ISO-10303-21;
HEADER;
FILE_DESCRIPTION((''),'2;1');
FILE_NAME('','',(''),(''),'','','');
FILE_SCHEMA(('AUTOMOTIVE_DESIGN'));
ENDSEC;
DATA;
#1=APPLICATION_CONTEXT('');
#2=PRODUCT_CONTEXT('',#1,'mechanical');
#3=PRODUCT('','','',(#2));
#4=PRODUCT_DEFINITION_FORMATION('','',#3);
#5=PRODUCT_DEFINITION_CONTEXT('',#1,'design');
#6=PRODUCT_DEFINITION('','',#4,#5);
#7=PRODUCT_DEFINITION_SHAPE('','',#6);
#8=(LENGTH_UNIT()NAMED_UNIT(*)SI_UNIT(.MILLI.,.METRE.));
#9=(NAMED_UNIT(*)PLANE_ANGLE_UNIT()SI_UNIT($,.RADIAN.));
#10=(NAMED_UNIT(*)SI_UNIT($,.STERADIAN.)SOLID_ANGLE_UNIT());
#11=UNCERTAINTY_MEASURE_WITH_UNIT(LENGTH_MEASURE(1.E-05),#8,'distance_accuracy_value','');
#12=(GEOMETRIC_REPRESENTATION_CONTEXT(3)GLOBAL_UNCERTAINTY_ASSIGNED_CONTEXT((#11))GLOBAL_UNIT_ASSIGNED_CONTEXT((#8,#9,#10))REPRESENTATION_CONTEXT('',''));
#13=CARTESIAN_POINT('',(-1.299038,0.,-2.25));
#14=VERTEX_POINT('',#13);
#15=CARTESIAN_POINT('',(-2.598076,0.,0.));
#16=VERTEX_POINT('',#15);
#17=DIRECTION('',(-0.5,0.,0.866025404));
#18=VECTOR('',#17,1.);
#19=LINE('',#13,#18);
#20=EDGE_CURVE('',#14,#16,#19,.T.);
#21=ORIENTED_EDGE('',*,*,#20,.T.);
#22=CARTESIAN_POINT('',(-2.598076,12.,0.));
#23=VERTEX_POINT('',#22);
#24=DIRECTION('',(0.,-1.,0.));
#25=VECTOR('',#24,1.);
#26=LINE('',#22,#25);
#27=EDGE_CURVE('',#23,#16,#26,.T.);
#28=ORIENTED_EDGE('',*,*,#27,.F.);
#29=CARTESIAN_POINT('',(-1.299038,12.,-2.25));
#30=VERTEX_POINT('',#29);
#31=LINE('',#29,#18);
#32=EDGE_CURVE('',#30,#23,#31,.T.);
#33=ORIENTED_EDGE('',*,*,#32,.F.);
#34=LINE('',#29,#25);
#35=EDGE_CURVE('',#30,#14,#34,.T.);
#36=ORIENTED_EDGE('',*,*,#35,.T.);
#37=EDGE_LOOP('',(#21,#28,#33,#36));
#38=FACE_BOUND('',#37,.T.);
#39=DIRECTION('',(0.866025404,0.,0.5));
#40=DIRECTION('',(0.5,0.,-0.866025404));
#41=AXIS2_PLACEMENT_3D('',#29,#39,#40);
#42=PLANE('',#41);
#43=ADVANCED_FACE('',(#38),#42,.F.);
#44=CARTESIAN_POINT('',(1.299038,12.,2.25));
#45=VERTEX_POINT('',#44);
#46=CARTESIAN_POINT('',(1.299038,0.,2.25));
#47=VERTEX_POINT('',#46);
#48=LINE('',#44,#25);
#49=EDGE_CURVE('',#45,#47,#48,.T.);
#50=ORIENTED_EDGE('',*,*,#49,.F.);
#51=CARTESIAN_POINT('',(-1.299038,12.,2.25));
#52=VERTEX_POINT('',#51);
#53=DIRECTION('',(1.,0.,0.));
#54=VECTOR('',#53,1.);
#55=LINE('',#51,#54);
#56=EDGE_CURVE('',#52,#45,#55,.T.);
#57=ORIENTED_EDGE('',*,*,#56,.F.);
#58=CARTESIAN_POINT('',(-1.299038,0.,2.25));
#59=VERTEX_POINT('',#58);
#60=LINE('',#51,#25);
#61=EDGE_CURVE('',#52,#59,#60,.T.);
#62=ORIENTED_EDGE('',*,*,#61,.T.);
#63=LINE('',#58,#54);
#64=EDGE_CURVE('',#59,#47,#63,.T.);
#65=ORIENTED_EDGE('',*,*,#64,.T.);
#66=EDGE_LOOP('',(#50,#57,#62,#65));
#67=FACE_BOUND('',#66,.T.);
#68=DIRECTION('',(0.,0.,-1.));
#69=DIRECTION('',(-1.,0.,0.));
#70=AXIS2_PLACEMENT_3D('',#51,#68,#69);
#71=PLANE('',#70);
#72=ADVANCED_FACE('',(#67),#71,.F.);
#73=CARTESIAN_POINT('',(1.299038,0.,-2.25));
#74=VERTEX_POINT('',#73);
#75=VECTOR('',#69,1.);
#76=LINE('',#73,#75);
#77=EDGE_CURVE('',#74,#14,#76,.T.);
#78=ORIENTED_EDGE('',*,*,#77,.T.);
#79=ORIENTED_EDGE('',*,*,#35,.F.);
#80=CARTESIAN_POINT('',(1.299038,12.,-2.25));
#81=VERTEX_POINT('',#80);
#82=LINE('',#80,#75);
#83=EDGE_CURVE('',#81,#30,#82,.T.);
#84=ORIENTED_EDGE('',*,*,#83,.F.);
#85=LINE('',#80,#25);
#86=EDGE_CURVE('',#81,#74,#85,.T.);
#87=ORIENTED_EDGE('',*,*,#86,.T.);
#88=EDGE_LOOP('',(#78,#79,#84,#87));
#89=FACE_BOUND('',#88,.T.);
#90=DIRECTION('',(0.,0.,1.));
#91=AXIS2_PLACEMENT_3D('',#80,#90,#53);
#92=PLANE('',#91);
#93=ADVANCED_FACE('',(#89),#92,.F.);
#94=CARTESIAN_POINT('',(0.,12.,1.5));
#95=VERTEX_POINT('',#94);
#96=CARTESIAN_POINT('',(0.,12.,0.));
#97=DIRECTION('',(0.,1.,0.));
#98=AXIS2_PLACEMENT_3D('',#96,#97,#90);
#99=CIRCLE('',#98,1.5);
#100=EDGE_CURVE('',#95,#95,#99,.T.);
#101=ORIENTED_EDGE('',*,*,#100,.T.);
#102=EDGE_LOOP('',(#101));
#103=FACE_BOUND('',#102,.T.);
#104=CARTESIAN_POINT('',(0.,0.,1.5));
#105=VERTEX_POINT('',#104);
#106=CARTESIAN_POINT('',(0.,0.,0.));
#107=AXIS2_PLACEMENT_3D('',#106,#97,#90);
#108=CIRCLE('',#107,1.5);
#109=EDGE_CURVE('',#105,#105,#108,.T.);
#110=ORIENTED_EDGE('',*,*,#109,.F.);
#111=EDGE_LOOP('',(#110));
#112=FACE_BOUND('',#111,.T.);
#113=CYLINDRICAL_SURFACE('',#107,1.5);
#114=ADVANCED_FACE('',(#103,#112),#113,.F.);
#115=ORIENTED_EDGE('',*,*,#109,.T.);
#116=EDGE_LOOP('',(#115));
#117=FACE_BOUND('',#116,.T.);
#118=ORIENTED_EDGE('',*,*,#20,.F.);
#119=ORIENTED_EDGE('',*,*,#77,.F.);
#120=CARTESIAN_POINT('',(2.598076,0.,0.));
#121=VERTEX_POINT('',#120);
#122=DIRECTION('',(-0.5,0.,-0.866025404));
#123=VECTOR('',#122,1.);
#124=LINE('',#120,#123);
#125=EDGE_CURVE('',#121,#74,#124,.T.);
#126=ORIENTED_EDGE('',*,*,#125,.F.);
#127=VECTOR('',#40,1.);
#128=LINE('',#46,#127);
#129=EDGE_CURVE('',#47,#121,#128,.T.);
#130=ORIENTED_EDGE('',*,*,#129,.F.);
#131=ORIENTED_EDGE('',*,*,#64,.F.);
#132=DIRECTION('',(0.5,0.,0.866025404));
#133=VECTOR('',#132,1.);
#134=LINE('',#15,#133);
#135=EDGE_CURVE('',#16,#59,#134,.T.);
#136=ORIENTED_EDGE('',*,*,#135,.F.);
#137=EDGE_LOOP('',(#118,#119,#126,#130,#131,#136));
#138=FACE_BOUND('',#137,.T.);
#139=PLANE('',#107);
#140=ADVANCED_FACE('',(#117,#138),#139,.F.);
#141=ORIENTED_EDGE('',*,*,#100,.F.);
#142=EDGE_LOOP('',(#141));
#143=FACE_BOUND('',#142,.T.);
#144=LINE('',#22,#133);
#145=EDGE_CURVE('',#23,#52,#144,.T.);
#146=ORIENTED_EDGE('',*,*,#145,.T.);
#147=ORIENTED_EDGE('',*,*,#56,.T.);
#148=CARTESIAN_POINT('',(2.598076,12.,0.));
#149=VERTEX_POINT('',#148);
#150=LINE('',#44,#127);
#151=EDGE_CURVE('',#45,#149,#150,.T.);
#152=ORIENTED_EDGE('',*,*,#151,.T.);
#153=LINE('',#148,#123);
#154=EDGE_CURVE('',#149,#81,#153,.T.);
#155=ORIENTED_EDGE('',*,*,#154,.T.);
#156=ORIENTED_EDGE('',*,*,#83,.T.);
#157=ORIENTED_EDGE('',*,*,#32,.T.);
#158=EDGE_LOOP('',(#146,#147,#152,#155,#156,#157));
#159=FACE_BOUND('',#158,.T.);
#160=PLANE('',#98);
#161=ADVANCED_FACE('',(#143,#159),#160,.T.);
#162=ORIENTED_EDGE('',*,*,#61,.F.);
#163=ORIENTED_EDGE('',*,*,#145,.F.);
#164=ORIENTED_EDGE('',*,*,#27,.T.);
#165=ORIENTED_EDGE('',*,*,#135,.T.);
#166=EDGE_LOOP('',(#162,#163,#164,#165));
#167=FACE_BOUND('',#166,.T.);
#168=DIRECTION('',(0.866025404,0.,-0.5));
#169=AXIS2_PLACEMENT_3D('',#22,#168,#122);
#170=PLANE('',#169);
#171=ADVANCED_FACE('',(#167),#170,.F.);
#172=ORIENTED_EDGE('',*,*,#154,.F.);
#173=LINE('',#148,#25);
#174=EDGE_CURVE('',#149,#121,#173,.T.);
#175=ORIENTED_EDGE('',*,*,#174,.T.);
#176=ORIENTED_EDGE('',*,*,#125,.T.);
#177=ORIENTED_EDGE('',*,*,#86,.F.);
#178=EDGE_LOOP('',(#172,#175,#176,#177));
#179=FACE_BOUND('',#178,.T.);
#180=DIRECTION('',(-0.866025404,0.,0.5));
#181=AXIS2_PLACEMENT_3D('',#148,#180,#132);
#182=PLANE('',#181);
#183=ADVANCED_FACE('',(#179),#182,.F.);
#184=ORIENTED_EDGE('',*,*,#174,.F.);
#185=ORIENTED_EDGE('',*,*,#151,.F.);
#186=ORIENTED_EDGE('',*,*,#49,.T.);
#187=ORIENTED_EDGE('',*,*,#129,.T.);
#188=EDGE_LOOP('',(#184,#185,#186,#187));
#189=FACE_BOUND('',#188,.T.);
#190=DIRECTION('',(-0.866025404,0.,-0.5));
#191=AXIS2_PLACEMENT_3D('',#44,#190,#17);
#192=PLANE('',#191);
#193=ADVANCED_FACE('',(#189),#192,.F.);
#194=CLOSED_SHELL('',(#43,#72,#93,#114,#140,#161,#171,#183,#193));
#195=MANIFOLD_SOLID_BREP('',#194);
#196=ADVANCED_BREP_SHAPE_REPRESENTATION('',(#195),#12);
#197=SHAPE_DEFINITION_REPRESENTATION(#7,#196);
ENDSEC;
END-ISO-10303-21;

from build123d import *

# Parameters (mm, degrees)
BOSS_EXTRUDE1_DEPTH = 12
SKETCH3_R           = 1.5
CUT_EXTRUDE1_DEPTH  = 13


with BuildPart() as part:
    # Sketch2 → Boss-Extrude1 (new body)
    with BuildSketch(Plane(origin=(0, 0, 0), x_dir=(1, 0, 0), z_dir=(0, 1, 0))):
        Polygon((-1.299038106, 2.25), (-2.598076211, 0), (-1.299038106, -2.25), (1.299038106, -2.25), (2.598076211, 0), (1.299038106, 2.25), align=None)
    extrude(amount=BOSS_EXTRUDE1_DEPTH)

    # Sketch3 → Cut-Extrude1 (cut, through all)
    with BuildSketch(Plane(origin=(0, 12, 0), x_dir=(1, 0, 0), z_dir=(0, 1, 0))):
        Circle(SKETCH3_R)
    extrude(amount=-CUT_EXTRUDE1_DEPTH, mode=Mode.SUBTRACT)


solid = part.part
